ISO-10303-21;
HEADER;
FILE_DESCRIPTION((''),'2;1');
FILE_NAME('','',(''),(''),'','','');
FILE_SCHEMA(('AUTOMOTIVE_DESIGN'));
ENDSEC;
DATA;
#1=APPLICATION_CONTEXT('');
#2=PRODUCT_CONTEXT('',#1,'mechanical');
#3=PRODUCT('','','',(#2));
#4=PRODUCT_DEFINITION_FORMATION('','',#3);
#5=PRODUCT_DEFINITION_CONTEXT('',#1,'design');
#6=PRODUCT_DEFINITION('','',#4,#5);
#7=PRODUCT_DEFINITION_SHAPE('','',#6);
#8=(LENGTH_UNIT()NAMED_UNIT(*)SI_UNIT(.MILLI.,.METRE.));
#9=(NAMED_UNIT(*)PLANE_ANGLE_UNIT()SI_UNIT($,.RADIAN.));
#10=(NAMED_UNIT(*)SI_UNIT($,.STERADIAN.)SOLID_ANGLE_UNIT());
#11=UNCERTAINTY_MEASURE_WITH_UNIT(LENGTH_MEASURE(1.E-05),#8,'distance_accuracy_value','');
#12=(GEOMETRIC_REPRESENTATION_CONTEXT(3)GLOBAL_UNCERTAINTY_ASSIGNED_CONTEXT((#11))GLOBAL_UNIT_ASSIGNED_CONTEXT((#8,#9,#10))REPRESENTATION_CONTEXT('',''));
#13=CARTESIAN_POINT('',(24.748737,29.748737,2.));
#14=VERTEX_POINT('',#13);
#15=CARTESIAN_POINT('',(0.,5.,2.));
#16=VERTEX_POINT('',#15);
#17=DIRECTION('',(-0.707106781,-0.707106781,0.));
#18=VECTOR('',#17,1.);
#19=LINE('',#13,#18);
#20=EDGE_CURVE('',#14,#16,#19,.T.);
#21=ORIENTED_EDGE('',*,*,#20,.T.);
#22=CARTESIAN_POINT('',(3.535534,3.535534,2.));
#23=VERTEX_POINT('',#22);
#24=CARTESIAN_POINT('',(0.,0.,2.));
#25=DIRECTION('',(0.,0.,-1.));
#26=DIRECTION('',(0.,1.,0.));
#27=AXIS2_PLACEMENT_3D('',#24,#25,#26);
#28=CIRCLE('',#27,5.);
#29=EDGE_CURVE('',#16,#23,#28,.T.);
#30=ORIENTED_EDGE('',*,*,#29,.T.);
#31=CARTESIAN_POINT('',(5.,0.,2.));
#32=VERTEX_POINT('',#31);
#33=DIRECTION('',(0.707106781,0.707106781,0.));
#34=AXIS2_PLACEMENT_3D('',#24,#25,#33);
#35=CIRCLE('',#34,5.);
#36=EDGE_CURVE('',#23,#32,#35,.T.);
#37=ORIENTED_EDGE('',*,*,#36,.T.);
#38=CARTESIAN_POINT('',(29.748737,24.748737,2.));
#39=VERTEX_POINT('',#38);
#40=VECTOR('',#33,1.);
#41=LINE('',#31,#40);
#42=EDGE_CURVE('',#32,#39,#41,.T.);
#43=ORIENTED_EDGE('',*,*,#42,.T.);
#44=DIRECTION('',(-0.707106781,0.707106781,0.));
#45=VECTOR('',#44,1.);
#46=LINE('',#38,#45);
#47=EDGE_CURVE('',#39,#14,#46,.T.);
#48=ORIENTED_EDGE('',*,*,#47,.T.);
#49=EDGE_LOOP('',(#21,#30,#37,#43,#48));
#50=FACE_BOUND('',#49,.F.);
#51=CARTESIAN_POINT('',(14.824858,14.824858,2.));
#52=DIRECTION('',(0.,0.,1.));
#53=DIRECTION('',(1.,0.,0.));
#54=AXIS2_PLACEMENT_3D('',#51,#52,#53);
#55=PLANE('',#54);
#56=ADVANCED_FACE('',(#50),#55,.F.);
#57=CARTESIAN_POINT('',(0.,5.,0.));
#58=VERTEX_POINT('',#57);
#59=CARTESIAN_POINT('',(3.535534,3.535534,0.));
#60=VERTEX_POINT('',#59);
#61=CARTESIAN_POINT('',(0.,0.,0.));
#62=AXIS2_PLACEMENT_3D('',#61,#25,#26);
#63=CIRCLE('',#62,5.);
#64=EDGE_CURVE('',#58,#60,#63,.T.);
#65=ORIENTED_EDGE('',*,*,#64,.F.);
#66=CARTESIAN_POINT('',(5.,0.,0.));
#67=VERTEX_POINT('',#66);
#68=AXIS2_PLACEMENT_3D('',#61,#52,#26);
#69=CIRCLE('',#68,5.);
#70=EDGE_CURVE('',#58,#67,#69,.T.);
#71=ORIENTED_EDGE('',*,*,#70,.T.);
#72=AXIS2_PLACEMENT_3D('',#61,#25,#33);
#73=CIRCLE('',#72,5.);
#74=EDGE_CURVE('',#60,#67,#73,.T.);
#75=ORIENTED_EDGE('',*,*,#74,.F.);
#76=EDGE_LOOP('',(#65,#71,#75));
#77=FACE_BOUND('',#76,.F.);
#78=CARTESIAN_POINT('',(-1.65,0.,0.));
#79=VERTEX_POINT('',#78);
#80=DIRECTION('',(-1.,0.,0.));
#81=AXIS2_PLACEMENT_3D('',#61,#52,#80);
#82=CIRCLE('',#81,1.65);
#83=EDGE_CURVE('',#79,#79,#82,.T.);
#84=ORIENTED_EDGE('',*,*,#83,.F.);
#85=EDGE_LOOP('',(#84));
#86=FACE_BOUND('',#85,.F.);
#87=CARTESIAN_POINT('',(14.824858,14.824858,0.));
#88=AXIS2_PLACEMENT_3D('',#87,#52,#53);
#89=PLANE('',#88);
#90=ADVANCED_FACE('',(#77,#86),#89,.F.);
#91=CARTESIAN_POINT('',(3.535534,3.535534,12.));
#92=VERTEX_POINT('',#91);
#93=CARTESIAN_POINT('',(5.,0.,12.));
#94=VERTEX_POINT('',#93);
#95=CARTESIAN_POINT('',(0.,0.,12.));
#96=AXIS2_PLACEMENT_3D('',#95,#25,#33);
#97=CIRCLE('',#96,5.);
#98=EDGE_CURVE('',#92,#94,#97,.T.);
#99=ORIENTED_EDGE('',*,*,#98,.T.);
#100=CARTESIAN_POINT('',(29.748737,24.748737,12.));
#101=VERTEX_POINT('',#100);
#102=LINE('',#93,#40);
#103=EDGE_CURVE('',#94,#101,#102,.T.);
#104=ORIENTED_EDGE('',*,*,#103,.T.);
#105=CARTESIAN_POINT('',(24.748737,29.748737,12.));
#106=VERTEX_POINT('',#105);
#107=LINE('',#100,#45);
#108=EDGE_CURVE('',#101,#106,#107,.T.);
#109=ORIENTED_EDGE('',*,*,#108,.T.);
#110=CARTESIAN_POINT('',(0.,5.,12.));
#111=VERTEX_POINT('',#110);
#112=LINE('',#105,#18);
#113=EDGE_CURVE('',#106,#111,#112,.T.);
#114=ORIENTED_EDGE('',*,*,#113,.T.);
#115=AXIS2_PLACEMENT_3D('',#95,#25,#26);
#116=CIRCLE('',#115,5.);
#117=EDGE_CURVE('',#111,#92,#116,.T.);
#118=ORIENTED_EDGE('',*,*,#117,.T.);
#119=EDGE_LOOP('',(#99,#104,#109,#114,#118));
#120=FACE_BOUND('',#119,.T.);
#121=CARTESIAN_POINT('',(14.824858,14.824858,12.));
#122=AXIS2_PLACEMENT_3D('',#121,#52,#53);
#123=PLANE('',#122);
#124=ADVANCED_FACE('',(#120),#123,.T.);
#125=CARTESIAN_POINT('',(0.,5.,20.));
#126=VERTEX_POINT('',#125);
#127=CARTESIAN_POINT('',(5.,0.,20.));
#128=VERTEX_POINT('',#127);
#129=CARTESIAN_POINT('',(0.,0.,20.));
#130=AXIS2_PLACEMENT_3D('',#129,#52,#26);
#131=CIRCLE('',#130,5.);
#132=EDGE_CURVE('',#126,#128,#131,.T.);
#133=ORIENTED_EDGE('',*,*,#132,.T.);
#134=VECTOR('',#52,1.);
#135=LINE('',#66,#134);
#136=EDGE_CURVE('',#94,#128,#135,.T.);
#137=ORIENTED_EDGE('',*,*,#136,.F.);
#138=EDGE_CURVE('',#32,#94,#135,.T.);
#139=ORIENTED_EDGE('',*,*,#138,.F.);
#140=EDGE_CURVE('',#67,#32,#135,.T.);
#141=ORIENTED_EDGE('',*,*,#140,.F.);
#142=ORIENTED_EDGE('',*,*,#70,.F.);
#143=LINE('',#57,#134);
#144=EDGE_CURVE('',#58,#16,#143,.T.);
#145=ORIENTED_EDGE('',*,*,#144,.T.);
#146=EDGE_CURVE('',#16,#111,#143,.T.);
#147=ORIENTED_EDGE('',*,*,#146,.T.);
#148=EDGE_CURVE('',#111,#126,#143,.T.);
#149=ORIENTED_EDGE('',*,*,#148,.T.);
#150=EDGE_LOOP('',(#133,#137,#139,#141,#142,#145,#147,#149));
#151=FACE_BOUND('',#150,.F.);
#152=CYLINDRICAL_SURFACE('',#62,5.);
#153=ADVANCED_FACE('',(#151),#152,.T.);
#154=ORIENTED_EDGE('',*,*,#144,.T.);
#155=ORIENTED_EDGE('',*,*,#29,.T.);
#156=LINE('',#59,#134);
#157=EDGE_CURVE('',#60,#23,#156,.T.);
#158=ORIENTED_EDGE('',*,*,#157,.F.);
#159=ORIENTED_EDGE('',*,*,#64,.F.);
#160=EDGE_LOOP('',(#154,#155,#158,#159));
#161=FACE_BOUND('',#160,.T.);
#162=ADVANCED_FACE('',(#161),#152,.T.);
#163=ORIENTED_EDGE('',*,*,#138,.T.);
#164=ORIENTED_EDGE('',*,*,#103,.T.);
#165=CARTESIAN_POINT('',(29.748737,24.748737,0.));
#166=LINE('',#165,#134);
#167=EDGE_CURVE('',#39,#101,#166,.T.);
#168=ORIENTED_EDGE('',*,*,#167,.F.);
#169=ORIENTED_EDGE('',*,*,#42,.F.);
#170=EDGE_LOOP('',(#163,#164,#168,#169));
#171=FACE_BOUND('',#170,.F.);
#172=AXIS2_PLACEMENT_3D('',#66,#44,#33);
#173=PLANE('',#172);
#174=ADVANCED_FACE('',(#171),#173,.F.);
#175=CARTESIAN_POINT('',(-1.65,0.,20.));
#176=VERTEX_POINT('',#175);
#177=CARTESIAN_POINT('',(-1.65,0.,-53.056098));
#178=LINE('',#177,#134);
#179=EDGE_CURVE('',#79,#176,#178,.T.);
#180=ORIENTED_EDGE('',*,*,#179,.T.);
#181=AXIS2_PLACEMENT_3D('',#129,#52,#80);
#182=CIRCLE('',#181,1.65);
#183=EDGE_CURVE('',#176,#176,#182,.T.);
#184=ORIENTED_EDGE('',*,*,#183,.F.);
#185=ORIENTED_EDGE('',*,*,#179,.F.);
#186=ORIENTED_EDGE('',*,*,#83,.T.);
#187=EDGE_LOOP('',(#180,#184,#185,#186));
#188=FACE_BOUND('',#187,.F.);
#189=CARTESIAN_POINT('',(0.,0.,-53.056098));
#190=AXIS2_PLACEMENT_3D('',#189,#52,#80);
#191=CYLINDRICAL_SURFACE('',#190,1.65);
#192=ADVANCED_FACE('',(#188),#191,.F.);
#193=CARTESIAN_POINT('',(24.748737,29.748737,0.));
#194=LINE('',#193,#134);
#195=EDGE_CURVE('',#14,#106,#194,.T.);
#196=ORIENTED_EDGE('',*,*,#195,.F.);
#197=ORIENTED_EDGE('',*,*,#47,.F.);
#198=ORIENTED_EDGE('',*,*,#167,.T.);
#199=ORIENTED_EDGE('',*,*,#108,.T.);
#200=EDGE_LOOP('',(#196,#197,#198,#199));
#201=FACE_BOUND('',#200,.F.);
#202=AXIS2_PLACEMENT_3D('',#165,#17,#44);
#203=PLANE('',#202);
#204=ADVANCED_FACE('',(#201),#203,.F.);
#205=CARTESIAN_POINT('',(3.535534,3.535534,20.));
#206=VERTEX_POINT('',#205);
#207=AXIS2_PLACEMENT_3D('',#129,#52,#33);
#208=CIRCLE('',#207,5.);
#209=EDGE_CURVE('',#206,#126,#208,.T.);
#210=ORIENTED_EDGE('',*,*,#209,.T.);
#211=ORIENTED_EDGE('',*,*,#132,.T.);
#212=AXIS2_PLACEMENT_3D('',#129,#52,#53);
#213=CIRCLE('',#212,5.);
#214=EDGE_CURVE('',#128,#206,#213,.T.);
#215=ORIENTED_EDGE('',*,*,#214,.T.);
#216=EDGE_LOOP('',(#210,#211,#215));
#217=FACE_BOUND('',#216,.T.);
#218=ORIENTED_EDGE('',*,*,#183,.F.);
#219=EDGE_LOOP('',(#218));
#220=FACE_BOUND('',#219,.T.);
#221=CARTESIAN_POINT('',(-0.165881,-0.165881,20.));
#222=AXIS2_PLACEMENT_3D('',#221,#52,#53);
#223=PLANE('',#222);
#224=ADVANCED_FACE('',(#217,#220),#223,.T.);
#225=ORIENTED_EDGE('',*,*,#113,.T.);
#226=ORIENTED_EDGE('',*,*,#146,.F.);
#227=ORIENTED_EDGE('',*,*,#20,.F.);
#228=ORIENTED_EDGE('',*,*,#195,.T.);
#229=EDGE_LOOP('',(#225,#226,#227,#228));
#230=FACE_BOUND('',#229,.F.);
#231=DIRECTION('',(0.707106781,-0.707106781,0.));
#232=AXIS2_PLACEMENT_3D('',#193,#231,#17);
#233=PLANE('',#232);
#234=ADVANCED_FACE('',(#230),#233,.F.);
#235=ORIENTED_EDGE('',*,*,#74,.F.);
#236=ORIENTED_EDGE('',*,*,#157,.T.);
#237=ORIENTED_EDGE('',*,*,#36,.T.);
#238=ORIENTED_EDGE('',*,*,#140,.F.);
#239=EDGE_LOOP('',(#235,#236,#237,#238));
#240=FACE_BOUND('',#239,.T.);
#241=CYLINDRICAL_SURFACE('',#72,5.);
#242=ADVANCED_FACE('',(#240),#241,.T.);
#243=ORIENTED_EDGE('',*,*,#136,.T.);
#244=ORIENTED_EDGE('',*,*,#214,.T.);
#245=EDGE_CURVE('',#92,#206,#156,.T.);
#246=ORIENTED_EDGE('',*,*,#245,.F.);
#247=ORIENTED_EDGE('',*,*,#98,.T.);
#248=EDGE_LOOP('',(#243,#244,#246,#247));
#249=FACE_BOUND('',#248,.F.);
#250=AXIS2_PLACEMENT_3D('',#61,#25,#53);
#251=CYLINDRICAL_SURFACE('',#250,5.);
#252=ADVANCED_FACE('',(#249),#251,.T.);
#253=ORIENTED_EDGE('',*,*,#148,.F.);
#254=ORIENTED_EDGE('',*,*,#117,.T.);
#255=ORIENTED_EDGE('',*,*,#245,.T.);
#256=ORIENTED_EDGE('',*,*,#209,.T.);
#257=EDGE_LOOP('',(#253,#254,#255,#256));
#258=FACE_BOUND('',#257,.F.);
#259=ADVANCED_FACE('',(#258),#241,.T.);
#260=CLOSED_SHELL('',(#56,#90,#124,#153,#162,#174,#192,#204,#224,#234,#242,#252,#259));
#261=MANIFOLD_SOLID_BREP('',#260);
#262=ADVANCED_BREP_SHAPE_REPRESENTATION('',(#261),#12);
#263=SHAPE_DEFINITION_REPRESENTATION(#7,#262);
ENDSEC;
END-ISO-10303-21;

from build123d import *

# Parameters (mm, degrees)
F1_DEPTH = 20
F2_DEPTH = 12
F3_DEPTH = 2
F4_D     = 3.3


with BuildPart() as f1:
    # F0 (on Top) → F1 (new body)
    with BuildSketch(Plane.XY):
        with BuildLine():
            Line((0, 0), (0, 5))
            ThreePointArc((0, 5), (-3.5355339059, -3.5355339059), (5, 0))
            Line((5, 0), (0, 0))
        make_face()
        with BuildLine():
            Line((0, 0), (5, 0))
            ThreePointArc((5, 0), (4.6193976626, 1.9134171618), (3.5355339059, 3.5355339059))
            Line((3.5355339059, 3.5355339059), (0, 0))
        make_face()
        with BuildLine():
            ThreePointArc((3.5355339059, 3.5355339059), (1.9134171618, 4.6193976626), (0, 5))
            Line((0, 5), (0, 0))
            Line((0, 0), (3.5355339059, 3.5355339059))
        make_face()
    extrude(amount=F1_DEPTH)

    # F0 (on Top) → F2 (join)
    with BuildSketch(Plane.XY):
        with BuildLine():
            Line((24.7487373415, 29.7487373415), (0, 5))
            ThreePointArc((0, 5), (1.9134171618, 4.6193976626), (3.5355339059, 3.5355339059))
            ThreePointArc((3.5355339059, 3.5355339059), (4.6193976626, 1.9134171618), (5, 0))
            Line((5, 0), (29.7487373415, 24.7487373415))
            Line((29.7487373415, 24.7487373415), (24.7487373415, 29.7487373415))
        make_face()
    extrude(amount=F2_DEPTH)

    # F0 (on Top) → F3 (cut)
    with BuildSketch(Plane.XY):
        with BuildLine():
            Line((24.7487373415, 29.7487373415), (0, 5))
            ThreePointArc((0, 5), (1.9134171618, 4.6193976626), (3.5355339059, 3.5355339059))
            ThreePointArc((3.5355339059, 3.5355339059), (4.6193976626, 1.9134171618), (5, 0))
            Line((5, 0), (29.7487373415, 24.7487373415))
            Line((29.7487373415, 24.7487373415), (24.7487373415, 29.7487373415))
        make_face()
    extrude(amount=F3_DEPTH, mode=Mode.SUBTRACT)

    # F4 (through all)
    with Locations(Plane(origin=(0, 0, 0), x_dir=(1, 0, 0), z_dir=(0, 0, -1))):
        with Locations((0, 0)):
            Hole(F4_D / 2)


solid = f1.part
